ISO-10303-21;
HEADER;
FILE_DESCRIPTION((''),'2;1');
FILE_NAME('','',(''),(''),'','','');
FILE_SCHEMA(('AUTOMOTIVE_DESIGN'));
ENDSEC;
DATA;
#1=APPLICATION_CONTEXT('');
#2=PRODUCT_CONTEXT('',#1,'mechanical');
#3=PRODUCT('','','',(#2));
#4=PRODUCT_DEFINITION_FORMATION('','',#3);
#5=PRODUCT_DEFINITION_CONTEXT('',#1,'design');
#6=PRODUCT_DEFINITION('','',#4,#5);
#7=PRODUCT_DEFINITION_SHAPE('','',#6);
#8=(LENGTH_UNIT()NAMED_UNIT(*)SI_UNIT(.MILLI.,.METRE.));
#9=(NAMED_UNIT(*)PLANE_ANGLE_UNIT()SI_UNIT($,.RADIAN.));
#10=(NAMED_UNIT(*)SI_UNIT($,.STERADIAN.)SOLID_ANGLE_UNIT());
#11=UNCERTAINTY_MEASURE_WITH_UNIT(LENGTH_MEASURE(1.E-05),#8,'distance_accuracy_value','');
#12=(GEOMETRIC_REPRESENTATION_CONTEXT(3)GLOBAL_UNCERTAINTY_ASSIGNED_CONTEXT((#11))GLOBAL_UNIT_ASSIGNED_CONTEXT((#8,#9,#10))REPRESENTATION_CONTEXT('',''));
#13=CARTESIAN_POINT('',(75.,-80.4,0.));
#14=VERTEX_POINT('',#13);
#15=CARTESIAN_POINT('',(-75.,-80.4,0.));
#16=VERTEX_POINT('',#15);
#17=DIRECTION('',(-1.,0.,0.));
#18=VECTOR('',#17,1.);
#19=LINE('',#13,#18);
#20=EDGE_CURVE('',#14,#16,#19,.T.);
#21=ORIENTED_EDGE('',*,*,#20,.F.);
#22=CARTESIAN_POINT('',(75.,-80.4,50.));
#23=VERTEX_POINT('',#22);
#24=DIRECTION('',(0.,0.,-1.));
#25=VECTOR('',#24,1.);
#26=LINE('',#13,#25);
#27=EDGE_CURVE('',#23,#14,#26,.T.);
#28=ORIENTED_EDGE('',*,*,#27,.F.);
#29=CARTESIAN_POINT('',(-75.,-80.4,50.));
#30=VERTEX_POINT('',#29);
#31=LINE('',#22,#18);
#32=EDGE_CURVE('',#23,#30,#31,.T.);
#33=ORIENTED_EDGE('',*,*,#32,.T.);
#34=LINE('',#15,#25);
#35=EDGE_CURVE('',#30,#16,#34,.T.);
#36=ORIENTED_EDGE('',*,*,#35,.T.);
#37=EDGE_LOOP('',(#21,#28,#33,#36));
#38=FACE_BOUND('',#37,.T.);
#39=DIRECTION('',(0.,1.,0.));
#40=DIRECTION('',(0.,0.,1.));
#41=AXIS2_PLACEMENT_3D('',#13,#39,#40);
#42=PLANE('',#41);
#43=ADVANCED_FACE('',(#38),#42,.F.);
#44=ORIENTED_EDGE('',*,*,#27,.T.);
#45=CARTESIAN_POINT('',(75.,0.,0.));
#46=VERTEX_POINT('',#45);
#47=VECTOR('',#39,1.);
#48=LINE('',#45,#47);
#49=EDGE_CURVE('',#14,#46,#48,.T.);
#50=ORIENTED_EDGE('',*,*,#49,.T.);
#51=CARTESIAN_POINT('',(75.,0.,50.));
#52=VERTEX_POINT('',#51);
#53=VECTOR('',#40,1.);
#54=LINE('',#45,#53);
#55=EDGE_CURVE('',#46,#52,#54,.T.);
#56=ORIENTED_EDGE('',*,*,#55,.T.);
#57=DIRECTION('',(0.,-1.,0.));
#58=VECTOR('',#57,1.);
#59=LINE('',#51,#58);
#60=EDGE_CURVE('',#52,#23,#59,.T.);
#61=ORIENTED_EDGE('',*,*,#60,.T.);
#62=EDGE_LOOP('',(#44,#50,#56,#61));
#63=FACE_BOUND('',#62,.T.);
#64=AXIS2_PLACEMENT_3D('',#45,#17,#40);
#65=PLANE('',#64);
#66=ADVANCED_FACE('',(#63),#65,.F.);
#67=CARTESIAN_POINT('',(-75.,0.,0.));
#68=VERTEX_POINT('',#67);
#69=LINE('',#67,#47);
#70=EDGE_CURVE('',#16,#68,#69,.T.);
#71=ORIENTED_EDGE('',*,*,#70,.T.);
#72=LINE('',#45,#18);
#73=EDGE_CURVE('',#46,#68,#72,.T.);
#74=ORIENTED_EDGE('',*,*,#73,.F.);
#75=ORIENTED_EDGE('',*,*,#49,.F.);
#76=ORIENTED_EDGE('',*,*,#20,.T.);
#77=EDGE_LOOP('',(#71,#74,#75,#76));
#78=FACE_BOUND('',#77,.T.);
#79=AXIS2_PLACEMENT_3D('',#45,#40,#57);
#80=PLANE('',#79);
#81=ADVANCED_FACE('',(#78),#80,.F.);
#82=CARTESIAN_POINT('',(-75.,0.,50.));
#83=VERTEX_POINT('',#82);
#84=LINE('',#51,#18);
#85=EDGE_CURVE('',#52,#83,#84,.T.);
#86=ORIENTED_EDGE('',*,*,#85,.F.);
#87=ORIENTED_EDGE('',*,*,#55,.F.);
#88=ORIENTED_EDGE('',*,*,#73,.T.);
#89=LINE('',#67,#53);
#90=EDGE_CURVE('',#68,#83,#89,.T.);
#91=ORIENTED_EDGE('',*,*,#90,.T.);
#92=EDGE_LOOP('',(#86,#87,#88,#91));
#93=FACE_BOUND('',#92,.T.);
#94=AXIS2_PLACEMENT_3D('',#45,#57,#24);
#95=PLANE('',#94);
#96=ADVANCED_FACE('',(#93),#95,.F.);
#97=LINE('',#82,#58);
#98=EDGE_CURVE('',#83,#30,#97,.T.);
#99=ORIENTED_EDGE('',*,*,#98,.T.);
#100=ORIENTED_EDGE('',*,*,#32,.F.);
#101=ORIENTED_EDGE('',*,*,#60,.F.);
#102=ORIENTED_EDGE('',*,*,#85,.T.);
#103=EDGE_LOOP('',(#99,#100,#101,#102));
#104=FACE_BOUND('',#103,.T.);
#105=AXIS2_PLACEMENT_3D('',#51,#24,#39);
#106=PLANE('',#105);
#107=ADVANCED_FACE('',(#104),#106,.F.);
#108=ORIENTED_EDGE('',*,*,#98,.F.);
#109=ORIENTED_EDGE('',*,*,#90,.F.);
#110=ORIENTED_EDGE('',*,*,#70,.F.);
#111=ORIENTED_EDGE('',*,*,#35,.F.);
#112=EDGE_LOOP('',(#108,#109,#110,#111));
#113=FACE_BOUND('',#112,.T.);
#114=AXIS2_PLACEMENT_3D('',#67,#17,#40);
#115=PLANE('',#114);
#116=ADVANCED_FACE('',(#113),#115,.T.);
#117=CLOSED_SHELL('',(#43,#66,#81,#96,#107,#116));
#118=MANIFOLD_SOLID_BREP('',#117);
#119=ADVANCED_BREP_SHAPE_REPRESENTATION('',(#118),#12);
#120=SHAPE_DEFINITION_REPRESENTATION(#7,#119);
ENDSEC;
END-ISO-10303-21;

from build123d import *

# Parameters (mm, degrees)
SKETCH1_W           = 50
SKETCH1_H           = 80.4
BOSS_EXTRUDE1_DEPTH = 75


with BuildPart() as part:
    # Sketch1 → Boss-Extrude1 (new, symmetric)
    with BuildSketch(Plane(origin=(0, 0, 0), x_dir=(0, 0, -1), z_dir=(1, 0, 0))):
        with Locations((-25, -40.2)):
            Rectangle(SKETCH1_W, SKETCH1_H)
    extrude(amount=BOSS_EXTRUDE1_DEPTH, both=True)


solid = part.part
